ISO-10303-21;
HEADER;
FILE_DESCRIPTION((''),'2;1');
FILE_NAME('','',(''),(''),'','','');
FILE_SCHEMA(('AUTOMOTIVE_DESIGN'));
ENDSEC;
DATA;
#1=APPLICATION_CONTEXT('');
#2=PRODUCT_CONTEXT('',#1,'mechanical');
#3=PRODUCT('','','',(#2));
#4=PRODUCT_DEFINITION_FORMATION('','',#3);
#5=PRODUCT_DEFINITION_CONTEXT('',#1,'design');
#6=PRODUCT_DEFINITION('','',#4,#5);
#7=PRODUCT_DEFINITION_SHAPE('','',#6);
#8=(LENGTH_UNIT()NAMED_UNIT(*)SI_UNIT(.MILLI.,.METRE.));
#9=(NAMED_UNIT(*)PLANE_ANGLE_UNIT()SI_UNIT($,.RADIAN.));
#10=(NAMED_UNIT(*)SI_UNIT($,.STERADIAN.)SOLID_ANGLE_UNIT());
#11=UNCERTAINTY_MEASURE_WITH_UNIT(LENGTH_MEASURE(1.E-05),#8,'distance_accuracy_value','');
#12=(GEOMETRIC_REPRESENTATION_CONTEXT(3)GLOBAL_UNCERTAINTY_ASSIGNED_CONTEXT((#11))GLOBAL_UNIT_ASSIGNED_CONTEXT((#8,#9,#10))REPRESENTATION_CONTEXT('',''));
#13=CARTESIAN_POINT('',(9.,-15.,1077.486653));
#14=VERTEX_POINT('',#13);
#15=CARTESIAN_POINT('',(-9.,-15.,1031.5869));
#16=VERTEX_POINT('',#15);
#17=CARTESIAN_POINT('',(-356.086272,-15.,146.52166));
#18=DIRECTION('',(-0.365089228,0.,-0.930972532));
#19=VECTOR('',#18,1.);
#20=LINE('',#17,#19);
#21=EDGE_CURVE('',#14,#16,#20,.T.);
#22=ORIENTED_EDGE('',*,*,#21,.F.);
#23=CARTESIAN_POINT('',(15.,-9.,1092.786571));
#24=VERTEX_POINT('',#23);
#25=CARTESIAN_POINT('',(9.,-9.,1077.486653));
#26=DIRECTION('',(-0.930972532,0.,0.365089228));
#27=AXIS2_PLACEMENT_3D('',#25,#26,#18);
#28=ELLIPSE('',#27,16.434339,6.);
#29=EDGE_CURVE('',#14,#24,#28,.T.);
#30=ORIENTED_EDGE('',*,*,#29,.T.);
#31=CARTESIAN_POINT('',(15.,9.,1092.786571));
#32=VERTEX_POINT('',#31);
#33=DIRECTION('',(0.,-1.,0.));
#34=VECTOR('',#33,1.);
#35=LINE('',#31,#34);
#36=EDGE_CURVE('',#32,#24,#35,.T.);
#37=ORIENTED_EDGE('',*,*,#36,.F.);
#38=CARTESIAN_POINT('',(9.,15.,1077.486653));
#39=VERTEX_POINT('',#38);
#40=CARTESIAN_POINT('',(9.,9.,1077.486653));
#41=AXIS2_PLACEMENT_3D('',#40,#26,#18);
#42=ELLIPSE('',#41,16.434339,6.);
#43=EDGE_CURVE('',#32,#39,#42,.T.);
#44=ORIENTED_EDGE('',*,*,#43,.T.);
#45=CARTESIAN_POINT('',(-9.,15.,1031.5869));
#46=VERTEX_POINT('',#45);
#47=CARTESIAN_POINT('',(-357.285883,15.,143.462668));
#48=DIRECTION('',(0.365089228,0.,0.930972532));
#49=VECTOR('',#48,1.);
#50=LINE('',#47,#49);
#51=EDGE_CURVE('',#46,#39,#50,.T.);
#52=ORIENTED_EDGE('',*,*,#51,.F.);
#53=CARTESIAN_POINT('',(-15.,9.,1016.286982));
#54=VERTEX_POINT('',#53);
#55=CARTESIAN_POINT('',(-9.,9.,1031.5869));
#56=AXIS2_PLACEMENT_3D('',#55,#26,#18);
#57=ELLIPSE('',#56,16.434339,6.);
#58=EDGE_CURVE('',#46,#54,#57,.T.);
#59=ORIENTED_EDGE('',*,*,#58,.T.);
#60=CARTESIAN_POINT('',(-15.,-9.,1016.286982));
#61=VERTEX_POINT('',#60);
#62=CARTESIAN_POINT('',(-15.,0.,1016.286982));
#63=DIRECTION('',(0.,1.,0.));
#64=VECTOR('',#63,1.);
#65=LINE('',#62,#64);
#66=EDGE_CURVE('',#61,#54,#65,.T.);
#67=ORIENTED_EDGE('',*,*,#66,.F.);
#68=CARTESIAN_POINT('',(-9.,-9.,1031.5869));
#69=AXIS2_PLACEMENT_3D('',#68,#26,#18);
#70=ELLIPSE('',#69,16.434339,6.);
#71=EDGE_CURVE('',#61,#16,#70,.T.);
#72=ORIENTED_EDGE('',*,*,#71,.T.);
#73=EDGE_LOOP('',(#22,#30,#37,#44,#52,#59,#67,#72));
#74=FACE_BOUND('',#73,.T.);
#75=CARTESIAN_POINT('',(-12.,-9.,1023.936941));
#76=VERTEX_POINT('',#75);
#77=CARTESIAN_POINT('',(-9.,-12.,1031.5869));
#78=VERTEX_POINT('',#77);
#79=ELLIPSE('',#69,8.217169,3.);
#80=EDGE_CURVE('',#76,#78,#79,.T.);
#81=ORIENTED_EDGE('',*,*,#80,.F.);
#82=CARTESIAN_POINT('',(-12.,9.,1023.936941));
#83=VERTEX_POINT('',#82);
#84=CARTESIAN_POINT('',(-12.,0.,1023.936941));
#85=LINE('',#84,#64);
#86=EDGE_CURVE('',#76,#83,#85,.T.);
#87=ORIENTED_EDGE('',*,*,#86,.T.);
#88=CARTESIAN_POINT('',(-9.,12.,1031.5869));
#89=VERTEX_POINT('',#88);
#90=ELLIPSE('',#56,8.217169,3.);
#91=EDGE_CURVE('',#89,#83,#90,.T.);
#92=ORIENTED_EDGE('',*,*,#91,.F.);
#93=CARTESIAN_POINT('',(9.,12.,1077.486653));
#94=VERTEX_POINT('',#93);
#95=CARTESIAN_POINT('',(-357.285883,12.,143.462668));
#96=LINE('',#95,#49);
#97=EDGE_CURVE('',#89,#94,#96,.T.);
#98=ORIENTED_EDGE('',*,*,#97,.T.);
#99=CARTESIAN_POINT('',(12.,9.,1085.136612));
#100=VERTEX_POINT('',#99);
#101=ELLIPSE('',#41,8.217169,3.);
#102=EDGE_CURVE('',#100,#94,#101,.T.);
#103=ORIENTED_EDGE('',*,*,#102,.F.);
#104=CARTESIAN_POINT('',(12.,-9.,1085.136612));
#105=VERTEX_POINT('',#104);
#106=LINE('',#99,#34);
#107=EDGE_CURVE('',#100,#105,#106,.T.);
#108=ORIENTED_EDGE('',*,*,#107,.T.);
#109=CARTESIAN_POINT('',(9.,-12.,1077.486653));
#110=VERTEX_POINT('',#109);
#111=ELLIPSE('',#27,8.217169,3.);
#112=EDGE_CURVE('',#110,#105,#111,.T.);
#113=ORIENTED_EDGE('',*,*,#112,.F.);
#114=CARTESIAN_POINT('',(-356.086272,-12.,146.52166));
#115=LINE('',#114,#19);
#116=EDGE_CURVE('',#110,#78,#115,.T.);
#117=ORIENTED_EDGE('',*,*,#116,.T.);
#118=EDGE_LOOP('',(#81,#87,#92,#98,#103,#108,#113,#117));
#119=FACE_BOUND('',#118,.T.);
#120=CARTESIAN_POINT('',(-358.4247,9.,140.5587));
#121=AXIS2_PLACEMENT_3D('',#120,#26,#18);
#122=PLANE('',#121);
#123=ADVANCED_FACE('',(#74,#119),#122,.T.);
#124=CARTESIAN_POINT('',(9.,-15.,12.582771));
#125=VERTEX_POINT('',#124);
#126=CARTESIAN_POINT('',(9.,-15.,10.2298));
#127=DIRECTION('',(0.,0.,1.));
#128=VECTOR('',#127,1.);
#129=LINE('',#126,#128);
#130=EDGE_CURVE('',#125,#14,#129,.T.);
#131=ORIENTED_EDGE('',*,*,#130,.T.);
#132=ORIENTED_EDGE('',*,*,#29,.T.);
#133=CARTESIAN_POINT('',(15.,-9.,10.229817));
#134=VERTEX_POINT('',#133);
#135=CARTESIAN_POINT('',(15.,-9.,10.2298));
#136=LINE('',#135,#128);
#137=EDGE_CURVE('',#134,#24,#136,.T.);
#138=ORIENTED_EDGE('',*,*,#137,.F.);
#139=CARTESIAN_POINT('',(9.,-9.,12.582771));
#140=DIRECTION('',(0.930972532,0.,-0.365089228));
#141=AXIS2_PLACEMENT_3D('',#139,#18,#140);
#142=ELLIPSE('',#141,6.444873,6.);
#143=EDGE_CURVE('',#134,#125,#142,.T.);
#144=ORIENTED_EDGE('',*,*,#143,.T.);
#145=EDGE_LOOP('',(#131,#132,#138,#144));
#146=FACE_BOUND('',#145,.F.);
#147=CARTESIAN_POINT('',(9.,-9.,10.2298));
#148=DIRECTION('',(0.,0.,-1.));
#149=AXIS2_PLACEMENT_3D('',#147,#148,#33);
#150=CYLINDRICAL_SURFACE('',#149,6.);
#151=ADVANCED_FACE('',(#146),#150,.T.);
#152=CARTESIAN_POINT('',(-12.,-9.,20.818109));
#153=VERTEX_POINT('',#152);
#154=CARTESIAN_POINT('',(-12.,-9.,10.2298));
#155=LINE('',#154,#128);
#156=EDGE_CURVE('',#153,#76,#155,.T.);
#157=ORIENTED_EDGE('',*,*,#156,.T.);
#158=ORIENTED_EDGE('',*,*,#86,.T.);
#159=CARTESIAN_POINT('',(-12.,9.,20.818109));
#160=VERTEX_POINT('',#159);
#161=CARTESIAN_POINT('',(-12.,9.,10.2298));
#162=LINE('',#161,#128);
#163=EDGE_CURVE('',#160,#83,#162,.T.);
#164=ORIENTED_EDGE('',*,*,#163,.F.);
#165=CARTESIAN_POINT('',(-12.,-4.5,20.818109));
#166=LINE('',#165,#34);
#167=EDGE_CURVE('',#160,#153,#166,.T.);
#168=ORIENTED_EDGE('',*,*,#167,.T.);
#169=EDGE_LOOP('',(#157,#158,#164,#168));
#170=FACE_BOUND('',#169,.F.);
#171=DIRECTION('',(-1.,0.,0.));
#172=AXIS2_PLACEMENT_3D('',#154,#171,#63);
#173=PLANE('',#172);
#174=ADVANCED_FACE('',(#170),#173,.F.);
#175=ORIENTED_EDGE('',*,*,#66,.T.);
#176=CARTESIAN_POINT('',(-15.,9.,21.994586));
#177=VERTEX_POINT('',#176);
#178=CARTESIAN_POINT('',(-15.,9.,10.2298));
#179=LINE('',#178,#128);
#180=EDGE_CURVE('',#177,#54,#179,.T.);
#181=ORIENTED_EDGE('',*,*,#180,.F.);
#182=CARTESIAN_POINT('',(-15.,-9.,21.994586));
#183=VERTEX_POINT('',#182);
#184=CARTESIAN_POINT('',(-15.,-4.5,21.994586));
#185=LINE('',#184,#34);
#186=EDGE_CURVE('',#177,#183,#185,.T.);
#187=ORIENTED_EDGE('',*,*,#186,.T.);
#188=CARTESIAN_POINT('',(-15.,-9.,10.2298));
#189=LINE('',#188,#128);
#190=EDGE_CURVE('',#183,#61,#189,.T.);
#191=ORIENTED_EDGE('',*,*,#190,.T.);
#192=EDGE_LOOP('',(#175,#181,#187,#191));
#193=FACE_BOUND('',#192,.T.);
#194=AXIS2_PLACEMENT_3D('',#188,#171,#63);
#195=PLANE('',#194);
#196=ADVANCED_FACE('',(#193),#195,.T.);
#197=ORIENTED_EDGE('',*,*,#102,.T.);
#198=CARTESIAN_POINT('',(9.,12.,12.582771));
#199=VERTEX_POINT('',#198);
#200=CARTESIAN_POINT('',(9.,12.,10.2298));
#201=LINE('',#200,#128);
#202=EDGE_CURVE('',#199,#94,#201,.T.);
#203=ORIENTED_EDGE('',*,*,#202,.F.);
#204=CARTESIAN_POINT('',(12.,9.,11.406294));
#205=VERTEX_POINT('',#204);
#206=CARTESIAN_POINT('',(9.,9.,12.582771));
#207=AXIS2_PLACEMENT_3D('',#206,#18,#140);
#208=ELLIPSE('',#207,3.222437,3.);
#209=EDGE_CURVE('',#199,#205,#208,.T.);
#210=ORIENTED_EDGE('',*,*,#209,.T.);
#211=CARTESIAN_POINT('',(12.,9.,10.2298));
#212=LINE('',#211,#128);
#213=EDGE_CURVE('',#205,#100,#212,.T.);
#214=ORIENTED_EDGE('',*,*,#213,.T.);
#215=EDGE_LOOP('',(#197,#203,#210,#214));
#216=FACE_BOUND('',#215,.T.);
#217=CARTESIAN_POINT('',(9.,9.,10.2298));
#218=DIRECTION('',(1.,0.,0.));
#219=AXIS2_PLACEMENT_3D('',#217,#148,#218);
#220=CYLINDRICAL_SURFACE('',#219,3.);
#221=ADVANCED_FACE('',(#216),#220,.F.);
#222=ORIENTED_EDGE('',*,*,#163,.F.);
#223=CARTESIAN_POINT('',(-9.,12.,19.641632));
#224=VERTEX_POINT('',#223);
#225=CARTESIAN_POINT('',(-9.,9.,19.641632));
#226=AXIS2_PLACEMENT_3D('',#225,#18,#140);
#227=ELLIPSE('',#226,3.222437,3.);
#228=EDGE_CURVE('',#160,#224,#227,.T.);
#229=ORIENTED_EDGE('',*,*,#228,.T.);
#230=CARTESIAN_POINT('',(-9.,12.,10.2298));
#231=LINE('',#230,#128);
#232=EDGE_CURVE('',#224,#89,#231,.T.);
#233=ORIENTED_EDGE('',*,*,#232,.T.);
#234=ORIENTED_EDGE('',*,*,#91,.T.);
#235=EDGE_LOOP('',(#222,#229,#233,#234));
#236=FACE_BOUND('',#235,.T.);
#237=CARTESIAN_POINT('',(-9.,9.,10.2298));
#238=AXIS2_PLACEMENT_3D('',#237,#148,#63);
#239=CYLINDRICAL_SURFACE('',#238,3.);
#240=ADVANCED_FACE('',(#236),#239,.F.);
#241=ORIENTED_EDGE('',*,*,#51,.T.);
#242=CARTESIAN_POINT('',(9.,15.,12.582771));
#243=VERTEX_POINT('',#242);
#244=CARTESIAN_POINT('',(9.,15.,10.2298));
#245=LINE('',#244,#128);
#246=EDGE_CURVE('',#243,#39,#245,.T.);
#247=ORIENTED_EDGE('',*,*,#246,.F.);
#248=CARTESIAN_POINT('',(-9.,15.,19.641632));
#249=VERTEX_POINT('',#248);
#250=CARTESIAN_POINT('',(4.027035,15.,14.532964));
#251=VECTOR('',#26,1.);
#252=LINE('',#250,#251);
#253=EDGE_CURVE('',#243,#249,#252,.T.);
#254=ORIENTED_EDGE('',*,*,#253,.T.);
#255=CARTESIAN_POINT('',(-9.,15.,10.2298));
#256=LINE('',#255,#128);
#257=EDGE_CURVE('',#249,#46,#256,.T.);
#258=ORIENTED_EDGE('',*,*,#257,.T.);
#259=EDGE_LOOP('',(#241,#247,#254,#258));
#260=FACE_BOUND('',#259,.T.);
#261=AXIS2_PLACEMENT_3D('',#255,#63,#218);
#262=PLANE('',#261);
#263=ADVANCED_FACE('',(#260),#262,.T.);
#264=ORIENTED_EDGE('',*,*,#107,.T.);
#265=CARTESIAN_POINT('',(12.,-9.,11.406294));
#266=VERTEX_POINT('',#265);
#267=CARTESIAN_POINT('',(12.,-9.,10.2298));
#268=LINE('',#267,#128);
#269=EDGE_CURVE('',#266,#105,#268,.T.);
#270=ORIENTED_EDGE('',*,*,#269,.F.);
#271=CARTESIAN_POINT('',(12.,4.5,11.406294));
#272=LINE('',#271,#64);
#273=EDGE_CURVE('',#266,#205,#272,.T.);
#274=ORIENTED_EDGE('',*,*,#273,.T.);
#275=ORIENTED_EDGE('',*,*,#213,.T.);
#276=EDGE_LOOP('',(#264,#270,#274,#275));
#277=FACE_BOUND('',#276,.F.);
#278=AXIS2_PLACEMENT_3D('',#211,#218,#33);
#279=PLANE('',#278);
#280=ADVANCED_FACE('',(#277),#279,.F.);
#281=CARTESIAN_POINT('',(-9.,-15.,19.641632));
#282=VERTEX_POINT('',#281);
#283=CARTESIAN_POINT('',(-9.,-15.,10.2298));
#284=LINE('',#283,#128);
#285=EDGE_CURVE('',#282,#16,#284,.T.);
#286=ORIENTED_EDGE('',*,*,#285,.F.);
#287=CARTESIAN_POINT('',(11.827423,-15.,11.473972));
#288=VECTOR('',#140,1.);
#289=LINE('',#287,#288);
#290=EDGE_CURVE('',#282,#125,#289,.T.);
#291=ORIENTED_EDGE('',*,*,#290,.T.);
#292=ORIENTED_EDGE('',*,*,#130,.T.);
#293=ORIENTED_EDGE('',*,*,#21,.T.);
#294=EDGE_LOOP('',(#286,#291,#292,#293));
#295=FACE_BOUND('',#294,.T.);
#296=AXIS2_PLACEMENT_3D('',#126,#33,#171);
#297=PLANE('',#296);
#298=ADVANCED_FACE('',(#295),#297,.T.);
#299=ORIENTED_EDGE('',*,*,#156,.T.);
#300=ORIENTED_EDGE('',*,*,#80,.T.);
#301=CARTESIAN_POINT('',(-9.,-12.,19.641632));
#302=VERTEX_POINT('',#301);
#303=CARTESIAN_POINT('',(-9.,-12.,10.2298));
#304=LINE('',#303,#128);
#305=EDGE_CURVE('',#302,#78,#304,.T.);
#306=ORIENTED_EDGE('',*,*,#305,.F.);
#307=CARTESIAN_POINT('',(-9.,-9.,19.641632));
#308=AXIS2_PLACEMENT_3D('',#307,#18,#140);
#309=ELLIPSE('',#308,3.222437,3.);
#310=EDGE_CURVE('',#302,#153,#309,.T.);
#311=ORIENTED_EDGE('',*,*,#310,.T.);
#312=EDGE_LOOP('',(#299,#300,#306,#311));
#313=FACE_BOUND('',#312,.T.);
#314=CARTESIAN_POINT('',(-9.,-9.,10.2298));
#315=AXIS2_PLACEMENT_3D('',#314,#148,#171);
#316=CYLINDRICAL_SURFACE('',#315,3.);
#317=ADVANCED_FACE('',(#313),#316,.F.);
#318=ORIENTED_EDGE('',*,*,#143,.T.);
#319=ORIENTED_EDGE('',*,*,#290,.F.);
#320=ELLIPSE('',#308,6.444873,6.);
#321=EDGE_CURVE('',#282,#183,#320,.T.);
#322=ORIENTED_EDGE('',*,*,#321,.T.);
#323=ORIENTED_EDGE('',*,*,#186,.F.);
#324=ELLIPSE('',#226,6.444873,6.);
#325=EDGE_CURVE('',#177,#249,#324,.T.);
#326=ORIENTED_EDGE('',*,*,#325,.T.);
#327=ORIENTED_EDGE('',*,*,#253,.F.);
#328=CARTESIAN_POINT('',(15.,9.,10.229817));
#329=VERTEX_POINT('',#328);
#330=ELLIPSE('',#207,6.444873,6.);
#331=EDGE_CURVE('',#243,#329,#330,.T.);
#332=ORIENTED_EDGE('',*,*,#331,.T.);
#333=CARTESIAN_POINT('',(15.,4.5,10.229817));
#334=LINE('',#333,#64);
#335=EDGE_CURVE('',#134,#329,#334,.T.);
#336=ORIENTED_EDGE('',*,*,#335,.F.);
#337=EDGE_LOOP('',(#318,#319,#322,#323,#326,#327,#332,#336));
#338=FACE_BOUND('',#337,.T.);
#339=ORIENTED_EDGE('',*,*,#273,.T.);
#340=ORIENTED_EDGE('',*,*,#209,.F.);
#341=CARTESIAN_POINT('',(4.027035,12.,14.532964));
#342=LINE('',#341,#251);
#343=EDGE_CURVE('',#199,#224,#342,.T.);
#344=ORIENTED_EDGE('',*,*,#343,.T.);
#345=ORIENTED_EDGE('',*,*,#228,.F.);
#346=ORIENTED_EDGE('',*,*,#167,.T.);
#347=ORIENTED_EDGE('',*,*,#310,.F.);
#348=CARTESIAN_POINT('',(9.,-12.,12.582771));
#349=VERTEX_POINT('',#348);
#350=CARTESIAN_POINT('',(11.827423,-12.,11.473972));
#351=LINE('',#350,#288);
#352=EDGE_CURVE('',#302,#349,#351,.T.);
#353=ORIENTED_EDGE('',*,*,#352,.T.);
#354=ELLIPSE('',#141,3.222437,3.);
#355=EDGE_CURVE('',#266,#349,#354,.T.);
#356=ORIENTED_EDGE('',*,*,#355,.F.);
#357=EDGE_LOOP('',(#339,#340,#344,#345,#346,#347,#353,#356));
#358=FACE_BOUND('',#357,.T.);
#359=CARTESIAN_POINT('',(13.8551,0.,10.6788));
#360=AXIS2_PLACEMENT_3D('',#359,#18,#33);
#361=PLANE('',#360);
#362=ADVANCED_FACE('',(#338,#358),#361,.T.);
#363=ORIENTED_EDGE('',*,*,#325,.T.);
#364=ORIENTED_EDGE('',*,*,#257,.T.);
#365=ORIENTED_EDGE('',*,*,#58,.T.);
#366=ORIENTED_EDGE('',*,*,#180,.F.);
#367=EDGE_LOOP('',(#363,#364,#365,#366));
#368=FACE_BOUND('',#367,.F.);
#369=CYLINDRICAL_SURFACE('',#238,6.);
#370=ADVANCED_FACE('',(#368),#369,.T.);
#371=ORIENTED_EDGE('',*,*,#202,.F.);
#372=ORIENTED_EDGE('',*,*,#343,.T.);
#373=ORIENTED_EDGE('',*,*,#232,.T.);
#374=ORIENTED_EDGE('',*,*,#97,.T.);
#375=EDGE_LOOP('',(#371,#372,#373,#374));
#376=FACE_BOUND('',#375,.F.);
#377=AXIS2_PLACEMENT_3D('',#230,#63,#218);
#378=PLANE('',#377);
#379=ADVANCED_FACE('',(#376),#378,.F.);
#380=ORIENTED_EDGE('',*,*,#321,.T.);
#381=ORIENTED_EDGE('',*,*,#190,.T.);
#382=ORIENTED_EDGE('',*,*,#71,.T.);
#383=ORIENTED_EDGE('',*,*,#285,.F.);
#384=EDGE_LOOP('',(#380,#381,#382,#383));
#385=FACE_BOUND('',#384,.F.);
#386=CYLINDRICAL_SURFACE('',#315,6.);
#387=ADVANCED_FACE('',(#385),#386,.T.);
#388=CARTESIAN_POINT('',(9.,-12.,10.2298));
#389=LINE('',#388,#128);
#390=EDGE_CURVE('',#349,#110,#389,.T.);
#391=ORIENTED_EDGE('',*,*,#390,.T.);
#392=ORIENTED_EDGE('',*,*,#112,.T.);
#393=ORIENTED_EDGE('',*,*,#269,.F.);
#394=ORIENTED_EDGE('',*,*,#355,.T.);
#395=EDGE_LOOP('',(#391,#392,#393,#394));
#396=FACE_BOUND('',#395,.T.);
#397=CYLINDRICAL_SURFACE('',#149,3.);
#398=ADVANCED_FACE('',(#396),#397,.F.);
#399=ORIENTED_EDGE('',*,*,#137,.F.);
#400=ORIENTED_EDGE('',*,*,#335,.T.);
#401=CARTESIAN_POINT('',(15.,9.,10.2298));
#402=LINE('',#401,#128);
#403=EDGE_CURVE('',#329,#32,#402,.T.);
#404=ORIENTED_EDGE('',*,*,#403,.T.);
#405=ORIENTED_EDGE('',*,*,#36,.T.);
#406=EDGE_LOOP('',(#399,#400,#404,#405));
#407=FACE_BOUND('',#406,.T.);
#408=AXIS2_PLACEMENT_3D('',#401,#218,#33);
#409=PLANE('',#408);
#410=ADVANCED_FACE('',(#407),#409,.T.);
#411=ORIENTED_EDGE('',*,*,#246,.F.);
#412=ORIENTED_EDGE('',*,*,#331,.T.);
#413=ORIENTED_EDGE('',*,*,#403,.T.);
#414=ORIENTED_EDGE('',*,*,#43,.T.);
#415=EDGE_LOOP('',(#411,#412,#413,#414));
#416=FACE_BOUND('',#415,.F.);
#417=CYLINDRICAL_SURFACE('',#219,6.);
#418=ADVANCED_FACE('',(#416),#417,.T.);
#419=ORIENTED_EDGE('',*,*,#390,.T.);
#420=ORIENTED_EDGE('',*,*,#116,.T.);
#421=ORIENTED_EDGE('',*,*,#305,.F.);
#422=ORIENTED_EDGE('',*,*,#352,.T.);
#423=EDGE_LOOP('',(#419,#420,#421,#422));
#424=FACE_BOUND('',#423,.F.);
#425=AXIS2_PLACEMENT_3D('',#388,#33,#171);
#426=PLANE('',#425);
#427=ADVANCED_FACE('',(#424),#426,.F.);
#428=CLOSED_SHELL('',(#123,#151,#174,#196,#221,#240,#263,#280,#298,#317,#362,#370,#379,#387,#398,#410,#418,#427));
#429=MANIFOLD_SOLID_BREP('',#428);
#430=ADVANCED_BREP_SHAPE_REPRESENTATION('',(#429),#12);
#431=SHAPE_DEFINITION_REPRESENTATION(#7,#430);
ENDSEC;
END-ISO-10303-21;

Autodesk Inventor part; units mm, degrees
ref_plane "Start Plane" through (0, 0, 10.2298) normal (0, 0, 1) x (1, 0, 0)
ref_plane "End Plane" through (0, 0, 1092.7916) normal (0, 0, 1) x (1, 0, 0)
sketch "Sketch" plane through (0, 0, 0) normal (0, 0, 1) x (1, 0, 0)
  line L0 (-15, -9) -> (-15, 9)
  line L1 (-9, 15) -> (9, 15)
  line L2 (15, 9) -> (15, -9)
  line L3 (9, -15) -> (-9, -15)
  arc A0 (-15, -9) -> (-9, -15) centre (-9, -9) ccw
  arc A1 (-9, 15) -> (-15, 9) centre (-9, 9) ccw
  arc A2 (15, 9) -> (9, 15) centre (9, 9) ccw
  arc A3 (9, -15) -> (15, -9) centre (9, -9) ccw
  arc A4 (-9, 12) -> (-12, 9) centre (-9, 9) ccw
  line L4 (-9, 12) -> (9, 12)
  arc A5 (12, 9) -> (9, 12) centre (9, 9) ccw
  line L5 (12, 9) -> (12, -9)
  arc A6 (9, -12) -> (12, -9) centre (9, -9) ccw
  line L6 (9, -12) -> (-9, -12)
  arc A7 (-12, -9) -> (-9, -12) centre (-9, -9) ccw
  line L7 (-12, -9) -> (-12, 9)
  line L8 (0, 22.7397) -> (0, -22.7397) construction
  line L9 (-22.7397, 0) -> (22.7397, 0) construction
  dimension "d7" = 6
  dimension "d10" = 30
  dimension "d11" = 30
  dimension "d12" = 3
  dimension "d15" = 15
  dimension "d16" = 15
extrude "Body" add sketch "Sketch" along normal up to surface (1082.5618 mm away) from surface at 10.2298
sketch "Sketch3" plane through (0, 0, 0) normal (0, 0, 1) x (1, 0, 0)
  line L0 (0, 0) -> (10, 0)
ref_plane "Work Plane3" through (0, 0, 0) normal (0, -1, 0) x (1, 0, 0)
ref_plane "Work Plane4" through (10.6788, 0, 1081.7726) normal (-0.931, 0, 0.3651) x (0.3651, 0, 0.931)
split "Split1" plane through (10.6788, 0, 1081.7726) removes the side toward (-0.931, 0, 0.3651)
ref_plane "Work Plane5" through (-358.4247, 9, 140.5587) normal (-0.931, 0, 0.3651) x (0.3651, 0, 0.931)
split "Split2" plane through (-358.4247, 9, 140.5587) removes the side toward (-0.931, 0, 0.3651)
ref_plane "Work Plane6" through (13.8551, 0, 10.6788) normal (-0.3651, 0, -0.931) x (-0.931, 0, 0.3651)
split "Split3" plane through (13.8551, 0, 10.6788) removes the side toward (-0.3651, 0, -0.931)
sketch "Sketch4" plane through (0, 0, 0) normal (0, -1, 0) x (1, 0, 0)
  line L0 (-2, 10.2298) -> (12, 10.2298) projected
  line L1 (-2, 1092.7916) -> (12, 1092.7916) projected
  dimension "d18" = 1082.5618
equation "\"d7\" = G_IR"
equation "\"d10\" = G_H"
equation "\"d11\" = G_W"
equation "\"d12\" = G_T"
equation "\"d15\" = 0.5 * d10"
equation "\"d16\" = 0.5 * d11"
equation "\"d3\" = G_L"
equation "\"G_W\" = 30"
equation "\"G_H\" = 30"
equation "\"G_T\" = 3"
equation "\"G_IR\" = 6"
equation "\"G_L\" = d18"
equation "\"G_OFFSET_START\" = -10.22982"
equation "\"G_OFFSET_END\" = -2.83604"
equation "\"d13\" = -G_OFFSET_START"
equation "\"d14\" = G_OFFSET_END + B_L"
equation "\"B_L\" = 1095.62767"
properties part number "DIN EN 10219-2 - 30 x 30 x 3  - 1082.56" material "Steel, Mild"
